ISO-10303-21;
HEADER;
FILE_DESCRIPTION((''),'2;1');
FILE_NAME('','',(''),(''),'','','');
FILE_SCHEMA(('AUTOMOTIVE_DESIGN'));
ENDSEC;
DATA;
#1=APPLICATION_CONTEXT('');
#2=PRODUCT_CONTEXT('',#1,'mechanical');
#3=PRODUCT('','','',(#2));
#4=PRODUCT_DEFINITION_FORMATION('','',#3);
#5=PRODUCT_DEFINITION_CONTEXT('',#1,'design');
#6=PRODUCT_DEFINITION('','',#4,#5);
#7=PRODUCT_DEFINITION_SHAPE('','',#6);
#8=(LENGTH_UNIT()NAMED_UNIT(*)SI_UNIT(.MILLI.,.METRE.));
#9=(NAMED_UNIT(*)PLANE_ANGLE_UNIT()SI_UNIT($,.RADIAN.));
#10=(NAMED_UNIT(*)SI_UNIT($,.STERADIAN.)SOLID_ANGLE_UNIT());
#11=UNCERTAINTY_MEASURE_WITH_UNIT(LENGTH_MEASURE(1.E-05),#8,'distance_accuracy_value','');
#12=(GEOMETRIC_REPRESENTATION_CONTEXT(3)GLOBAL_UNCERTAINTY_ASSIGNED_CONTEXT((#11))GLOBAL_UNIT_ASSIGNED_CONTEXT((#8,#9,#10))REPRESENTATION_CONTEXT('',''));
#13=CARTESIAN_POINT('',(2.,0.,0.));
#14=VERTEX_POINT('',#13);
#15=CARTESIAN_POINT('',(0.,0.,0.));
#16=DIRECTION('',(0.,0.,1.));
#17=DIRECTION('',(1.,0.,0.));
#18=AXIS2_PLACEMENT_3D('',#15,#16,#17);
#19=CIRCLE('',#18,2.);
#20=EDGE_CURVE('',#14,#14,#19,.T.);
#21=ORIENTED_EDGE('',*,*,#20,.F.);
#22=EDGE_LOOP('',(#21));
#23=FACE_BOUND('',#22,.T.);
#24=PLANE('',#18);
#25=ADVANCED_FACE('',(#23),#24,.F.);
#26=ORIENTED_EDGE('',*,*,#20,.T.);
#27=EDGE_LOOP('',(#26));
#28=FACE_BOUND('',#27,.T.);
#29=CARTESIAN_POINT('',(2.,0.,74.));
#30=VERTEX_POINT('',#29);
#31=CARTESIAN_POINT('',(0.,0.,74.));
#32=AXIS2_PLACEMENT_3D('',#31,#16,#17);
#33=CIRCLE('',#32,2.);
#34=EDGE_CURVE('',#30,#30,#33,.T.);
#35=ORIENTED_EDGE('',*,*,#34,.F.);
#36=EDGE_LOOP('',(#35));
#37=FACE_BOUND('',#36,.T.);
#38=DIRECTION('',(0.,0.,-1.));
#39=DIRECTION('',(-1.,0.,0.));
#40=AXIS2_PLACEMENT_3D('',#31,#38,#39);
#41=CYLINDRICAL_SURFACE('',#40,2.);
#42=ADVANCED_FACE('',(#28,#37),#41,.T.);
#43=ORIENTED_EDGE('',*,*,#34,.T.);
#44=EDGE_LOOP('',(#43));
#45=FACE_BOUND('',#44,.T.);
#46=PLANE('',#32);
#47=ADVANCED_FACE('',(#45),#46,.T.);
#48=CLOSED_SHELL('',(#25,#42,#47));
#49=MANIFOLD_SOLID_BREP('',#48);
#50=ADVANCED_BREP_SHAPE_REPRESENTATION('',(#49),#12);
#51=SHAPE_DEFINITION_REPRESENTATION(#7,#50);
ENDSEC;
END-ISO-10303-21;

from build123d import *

# Parameters (mm, degrees)
SKETCH1_R           = 2
BOSS_EXTRUDE1_DEPTH = 74


with BuildPart() as part:
    # Sketch1 → Boss-Extrude1 (new body)
    with BuildSketch(Plane.XY):
        Circle(SKETCH1_R)
    extrude(amount=BOSS_EXTRUDE1_DEPTH)


solid = part.part
